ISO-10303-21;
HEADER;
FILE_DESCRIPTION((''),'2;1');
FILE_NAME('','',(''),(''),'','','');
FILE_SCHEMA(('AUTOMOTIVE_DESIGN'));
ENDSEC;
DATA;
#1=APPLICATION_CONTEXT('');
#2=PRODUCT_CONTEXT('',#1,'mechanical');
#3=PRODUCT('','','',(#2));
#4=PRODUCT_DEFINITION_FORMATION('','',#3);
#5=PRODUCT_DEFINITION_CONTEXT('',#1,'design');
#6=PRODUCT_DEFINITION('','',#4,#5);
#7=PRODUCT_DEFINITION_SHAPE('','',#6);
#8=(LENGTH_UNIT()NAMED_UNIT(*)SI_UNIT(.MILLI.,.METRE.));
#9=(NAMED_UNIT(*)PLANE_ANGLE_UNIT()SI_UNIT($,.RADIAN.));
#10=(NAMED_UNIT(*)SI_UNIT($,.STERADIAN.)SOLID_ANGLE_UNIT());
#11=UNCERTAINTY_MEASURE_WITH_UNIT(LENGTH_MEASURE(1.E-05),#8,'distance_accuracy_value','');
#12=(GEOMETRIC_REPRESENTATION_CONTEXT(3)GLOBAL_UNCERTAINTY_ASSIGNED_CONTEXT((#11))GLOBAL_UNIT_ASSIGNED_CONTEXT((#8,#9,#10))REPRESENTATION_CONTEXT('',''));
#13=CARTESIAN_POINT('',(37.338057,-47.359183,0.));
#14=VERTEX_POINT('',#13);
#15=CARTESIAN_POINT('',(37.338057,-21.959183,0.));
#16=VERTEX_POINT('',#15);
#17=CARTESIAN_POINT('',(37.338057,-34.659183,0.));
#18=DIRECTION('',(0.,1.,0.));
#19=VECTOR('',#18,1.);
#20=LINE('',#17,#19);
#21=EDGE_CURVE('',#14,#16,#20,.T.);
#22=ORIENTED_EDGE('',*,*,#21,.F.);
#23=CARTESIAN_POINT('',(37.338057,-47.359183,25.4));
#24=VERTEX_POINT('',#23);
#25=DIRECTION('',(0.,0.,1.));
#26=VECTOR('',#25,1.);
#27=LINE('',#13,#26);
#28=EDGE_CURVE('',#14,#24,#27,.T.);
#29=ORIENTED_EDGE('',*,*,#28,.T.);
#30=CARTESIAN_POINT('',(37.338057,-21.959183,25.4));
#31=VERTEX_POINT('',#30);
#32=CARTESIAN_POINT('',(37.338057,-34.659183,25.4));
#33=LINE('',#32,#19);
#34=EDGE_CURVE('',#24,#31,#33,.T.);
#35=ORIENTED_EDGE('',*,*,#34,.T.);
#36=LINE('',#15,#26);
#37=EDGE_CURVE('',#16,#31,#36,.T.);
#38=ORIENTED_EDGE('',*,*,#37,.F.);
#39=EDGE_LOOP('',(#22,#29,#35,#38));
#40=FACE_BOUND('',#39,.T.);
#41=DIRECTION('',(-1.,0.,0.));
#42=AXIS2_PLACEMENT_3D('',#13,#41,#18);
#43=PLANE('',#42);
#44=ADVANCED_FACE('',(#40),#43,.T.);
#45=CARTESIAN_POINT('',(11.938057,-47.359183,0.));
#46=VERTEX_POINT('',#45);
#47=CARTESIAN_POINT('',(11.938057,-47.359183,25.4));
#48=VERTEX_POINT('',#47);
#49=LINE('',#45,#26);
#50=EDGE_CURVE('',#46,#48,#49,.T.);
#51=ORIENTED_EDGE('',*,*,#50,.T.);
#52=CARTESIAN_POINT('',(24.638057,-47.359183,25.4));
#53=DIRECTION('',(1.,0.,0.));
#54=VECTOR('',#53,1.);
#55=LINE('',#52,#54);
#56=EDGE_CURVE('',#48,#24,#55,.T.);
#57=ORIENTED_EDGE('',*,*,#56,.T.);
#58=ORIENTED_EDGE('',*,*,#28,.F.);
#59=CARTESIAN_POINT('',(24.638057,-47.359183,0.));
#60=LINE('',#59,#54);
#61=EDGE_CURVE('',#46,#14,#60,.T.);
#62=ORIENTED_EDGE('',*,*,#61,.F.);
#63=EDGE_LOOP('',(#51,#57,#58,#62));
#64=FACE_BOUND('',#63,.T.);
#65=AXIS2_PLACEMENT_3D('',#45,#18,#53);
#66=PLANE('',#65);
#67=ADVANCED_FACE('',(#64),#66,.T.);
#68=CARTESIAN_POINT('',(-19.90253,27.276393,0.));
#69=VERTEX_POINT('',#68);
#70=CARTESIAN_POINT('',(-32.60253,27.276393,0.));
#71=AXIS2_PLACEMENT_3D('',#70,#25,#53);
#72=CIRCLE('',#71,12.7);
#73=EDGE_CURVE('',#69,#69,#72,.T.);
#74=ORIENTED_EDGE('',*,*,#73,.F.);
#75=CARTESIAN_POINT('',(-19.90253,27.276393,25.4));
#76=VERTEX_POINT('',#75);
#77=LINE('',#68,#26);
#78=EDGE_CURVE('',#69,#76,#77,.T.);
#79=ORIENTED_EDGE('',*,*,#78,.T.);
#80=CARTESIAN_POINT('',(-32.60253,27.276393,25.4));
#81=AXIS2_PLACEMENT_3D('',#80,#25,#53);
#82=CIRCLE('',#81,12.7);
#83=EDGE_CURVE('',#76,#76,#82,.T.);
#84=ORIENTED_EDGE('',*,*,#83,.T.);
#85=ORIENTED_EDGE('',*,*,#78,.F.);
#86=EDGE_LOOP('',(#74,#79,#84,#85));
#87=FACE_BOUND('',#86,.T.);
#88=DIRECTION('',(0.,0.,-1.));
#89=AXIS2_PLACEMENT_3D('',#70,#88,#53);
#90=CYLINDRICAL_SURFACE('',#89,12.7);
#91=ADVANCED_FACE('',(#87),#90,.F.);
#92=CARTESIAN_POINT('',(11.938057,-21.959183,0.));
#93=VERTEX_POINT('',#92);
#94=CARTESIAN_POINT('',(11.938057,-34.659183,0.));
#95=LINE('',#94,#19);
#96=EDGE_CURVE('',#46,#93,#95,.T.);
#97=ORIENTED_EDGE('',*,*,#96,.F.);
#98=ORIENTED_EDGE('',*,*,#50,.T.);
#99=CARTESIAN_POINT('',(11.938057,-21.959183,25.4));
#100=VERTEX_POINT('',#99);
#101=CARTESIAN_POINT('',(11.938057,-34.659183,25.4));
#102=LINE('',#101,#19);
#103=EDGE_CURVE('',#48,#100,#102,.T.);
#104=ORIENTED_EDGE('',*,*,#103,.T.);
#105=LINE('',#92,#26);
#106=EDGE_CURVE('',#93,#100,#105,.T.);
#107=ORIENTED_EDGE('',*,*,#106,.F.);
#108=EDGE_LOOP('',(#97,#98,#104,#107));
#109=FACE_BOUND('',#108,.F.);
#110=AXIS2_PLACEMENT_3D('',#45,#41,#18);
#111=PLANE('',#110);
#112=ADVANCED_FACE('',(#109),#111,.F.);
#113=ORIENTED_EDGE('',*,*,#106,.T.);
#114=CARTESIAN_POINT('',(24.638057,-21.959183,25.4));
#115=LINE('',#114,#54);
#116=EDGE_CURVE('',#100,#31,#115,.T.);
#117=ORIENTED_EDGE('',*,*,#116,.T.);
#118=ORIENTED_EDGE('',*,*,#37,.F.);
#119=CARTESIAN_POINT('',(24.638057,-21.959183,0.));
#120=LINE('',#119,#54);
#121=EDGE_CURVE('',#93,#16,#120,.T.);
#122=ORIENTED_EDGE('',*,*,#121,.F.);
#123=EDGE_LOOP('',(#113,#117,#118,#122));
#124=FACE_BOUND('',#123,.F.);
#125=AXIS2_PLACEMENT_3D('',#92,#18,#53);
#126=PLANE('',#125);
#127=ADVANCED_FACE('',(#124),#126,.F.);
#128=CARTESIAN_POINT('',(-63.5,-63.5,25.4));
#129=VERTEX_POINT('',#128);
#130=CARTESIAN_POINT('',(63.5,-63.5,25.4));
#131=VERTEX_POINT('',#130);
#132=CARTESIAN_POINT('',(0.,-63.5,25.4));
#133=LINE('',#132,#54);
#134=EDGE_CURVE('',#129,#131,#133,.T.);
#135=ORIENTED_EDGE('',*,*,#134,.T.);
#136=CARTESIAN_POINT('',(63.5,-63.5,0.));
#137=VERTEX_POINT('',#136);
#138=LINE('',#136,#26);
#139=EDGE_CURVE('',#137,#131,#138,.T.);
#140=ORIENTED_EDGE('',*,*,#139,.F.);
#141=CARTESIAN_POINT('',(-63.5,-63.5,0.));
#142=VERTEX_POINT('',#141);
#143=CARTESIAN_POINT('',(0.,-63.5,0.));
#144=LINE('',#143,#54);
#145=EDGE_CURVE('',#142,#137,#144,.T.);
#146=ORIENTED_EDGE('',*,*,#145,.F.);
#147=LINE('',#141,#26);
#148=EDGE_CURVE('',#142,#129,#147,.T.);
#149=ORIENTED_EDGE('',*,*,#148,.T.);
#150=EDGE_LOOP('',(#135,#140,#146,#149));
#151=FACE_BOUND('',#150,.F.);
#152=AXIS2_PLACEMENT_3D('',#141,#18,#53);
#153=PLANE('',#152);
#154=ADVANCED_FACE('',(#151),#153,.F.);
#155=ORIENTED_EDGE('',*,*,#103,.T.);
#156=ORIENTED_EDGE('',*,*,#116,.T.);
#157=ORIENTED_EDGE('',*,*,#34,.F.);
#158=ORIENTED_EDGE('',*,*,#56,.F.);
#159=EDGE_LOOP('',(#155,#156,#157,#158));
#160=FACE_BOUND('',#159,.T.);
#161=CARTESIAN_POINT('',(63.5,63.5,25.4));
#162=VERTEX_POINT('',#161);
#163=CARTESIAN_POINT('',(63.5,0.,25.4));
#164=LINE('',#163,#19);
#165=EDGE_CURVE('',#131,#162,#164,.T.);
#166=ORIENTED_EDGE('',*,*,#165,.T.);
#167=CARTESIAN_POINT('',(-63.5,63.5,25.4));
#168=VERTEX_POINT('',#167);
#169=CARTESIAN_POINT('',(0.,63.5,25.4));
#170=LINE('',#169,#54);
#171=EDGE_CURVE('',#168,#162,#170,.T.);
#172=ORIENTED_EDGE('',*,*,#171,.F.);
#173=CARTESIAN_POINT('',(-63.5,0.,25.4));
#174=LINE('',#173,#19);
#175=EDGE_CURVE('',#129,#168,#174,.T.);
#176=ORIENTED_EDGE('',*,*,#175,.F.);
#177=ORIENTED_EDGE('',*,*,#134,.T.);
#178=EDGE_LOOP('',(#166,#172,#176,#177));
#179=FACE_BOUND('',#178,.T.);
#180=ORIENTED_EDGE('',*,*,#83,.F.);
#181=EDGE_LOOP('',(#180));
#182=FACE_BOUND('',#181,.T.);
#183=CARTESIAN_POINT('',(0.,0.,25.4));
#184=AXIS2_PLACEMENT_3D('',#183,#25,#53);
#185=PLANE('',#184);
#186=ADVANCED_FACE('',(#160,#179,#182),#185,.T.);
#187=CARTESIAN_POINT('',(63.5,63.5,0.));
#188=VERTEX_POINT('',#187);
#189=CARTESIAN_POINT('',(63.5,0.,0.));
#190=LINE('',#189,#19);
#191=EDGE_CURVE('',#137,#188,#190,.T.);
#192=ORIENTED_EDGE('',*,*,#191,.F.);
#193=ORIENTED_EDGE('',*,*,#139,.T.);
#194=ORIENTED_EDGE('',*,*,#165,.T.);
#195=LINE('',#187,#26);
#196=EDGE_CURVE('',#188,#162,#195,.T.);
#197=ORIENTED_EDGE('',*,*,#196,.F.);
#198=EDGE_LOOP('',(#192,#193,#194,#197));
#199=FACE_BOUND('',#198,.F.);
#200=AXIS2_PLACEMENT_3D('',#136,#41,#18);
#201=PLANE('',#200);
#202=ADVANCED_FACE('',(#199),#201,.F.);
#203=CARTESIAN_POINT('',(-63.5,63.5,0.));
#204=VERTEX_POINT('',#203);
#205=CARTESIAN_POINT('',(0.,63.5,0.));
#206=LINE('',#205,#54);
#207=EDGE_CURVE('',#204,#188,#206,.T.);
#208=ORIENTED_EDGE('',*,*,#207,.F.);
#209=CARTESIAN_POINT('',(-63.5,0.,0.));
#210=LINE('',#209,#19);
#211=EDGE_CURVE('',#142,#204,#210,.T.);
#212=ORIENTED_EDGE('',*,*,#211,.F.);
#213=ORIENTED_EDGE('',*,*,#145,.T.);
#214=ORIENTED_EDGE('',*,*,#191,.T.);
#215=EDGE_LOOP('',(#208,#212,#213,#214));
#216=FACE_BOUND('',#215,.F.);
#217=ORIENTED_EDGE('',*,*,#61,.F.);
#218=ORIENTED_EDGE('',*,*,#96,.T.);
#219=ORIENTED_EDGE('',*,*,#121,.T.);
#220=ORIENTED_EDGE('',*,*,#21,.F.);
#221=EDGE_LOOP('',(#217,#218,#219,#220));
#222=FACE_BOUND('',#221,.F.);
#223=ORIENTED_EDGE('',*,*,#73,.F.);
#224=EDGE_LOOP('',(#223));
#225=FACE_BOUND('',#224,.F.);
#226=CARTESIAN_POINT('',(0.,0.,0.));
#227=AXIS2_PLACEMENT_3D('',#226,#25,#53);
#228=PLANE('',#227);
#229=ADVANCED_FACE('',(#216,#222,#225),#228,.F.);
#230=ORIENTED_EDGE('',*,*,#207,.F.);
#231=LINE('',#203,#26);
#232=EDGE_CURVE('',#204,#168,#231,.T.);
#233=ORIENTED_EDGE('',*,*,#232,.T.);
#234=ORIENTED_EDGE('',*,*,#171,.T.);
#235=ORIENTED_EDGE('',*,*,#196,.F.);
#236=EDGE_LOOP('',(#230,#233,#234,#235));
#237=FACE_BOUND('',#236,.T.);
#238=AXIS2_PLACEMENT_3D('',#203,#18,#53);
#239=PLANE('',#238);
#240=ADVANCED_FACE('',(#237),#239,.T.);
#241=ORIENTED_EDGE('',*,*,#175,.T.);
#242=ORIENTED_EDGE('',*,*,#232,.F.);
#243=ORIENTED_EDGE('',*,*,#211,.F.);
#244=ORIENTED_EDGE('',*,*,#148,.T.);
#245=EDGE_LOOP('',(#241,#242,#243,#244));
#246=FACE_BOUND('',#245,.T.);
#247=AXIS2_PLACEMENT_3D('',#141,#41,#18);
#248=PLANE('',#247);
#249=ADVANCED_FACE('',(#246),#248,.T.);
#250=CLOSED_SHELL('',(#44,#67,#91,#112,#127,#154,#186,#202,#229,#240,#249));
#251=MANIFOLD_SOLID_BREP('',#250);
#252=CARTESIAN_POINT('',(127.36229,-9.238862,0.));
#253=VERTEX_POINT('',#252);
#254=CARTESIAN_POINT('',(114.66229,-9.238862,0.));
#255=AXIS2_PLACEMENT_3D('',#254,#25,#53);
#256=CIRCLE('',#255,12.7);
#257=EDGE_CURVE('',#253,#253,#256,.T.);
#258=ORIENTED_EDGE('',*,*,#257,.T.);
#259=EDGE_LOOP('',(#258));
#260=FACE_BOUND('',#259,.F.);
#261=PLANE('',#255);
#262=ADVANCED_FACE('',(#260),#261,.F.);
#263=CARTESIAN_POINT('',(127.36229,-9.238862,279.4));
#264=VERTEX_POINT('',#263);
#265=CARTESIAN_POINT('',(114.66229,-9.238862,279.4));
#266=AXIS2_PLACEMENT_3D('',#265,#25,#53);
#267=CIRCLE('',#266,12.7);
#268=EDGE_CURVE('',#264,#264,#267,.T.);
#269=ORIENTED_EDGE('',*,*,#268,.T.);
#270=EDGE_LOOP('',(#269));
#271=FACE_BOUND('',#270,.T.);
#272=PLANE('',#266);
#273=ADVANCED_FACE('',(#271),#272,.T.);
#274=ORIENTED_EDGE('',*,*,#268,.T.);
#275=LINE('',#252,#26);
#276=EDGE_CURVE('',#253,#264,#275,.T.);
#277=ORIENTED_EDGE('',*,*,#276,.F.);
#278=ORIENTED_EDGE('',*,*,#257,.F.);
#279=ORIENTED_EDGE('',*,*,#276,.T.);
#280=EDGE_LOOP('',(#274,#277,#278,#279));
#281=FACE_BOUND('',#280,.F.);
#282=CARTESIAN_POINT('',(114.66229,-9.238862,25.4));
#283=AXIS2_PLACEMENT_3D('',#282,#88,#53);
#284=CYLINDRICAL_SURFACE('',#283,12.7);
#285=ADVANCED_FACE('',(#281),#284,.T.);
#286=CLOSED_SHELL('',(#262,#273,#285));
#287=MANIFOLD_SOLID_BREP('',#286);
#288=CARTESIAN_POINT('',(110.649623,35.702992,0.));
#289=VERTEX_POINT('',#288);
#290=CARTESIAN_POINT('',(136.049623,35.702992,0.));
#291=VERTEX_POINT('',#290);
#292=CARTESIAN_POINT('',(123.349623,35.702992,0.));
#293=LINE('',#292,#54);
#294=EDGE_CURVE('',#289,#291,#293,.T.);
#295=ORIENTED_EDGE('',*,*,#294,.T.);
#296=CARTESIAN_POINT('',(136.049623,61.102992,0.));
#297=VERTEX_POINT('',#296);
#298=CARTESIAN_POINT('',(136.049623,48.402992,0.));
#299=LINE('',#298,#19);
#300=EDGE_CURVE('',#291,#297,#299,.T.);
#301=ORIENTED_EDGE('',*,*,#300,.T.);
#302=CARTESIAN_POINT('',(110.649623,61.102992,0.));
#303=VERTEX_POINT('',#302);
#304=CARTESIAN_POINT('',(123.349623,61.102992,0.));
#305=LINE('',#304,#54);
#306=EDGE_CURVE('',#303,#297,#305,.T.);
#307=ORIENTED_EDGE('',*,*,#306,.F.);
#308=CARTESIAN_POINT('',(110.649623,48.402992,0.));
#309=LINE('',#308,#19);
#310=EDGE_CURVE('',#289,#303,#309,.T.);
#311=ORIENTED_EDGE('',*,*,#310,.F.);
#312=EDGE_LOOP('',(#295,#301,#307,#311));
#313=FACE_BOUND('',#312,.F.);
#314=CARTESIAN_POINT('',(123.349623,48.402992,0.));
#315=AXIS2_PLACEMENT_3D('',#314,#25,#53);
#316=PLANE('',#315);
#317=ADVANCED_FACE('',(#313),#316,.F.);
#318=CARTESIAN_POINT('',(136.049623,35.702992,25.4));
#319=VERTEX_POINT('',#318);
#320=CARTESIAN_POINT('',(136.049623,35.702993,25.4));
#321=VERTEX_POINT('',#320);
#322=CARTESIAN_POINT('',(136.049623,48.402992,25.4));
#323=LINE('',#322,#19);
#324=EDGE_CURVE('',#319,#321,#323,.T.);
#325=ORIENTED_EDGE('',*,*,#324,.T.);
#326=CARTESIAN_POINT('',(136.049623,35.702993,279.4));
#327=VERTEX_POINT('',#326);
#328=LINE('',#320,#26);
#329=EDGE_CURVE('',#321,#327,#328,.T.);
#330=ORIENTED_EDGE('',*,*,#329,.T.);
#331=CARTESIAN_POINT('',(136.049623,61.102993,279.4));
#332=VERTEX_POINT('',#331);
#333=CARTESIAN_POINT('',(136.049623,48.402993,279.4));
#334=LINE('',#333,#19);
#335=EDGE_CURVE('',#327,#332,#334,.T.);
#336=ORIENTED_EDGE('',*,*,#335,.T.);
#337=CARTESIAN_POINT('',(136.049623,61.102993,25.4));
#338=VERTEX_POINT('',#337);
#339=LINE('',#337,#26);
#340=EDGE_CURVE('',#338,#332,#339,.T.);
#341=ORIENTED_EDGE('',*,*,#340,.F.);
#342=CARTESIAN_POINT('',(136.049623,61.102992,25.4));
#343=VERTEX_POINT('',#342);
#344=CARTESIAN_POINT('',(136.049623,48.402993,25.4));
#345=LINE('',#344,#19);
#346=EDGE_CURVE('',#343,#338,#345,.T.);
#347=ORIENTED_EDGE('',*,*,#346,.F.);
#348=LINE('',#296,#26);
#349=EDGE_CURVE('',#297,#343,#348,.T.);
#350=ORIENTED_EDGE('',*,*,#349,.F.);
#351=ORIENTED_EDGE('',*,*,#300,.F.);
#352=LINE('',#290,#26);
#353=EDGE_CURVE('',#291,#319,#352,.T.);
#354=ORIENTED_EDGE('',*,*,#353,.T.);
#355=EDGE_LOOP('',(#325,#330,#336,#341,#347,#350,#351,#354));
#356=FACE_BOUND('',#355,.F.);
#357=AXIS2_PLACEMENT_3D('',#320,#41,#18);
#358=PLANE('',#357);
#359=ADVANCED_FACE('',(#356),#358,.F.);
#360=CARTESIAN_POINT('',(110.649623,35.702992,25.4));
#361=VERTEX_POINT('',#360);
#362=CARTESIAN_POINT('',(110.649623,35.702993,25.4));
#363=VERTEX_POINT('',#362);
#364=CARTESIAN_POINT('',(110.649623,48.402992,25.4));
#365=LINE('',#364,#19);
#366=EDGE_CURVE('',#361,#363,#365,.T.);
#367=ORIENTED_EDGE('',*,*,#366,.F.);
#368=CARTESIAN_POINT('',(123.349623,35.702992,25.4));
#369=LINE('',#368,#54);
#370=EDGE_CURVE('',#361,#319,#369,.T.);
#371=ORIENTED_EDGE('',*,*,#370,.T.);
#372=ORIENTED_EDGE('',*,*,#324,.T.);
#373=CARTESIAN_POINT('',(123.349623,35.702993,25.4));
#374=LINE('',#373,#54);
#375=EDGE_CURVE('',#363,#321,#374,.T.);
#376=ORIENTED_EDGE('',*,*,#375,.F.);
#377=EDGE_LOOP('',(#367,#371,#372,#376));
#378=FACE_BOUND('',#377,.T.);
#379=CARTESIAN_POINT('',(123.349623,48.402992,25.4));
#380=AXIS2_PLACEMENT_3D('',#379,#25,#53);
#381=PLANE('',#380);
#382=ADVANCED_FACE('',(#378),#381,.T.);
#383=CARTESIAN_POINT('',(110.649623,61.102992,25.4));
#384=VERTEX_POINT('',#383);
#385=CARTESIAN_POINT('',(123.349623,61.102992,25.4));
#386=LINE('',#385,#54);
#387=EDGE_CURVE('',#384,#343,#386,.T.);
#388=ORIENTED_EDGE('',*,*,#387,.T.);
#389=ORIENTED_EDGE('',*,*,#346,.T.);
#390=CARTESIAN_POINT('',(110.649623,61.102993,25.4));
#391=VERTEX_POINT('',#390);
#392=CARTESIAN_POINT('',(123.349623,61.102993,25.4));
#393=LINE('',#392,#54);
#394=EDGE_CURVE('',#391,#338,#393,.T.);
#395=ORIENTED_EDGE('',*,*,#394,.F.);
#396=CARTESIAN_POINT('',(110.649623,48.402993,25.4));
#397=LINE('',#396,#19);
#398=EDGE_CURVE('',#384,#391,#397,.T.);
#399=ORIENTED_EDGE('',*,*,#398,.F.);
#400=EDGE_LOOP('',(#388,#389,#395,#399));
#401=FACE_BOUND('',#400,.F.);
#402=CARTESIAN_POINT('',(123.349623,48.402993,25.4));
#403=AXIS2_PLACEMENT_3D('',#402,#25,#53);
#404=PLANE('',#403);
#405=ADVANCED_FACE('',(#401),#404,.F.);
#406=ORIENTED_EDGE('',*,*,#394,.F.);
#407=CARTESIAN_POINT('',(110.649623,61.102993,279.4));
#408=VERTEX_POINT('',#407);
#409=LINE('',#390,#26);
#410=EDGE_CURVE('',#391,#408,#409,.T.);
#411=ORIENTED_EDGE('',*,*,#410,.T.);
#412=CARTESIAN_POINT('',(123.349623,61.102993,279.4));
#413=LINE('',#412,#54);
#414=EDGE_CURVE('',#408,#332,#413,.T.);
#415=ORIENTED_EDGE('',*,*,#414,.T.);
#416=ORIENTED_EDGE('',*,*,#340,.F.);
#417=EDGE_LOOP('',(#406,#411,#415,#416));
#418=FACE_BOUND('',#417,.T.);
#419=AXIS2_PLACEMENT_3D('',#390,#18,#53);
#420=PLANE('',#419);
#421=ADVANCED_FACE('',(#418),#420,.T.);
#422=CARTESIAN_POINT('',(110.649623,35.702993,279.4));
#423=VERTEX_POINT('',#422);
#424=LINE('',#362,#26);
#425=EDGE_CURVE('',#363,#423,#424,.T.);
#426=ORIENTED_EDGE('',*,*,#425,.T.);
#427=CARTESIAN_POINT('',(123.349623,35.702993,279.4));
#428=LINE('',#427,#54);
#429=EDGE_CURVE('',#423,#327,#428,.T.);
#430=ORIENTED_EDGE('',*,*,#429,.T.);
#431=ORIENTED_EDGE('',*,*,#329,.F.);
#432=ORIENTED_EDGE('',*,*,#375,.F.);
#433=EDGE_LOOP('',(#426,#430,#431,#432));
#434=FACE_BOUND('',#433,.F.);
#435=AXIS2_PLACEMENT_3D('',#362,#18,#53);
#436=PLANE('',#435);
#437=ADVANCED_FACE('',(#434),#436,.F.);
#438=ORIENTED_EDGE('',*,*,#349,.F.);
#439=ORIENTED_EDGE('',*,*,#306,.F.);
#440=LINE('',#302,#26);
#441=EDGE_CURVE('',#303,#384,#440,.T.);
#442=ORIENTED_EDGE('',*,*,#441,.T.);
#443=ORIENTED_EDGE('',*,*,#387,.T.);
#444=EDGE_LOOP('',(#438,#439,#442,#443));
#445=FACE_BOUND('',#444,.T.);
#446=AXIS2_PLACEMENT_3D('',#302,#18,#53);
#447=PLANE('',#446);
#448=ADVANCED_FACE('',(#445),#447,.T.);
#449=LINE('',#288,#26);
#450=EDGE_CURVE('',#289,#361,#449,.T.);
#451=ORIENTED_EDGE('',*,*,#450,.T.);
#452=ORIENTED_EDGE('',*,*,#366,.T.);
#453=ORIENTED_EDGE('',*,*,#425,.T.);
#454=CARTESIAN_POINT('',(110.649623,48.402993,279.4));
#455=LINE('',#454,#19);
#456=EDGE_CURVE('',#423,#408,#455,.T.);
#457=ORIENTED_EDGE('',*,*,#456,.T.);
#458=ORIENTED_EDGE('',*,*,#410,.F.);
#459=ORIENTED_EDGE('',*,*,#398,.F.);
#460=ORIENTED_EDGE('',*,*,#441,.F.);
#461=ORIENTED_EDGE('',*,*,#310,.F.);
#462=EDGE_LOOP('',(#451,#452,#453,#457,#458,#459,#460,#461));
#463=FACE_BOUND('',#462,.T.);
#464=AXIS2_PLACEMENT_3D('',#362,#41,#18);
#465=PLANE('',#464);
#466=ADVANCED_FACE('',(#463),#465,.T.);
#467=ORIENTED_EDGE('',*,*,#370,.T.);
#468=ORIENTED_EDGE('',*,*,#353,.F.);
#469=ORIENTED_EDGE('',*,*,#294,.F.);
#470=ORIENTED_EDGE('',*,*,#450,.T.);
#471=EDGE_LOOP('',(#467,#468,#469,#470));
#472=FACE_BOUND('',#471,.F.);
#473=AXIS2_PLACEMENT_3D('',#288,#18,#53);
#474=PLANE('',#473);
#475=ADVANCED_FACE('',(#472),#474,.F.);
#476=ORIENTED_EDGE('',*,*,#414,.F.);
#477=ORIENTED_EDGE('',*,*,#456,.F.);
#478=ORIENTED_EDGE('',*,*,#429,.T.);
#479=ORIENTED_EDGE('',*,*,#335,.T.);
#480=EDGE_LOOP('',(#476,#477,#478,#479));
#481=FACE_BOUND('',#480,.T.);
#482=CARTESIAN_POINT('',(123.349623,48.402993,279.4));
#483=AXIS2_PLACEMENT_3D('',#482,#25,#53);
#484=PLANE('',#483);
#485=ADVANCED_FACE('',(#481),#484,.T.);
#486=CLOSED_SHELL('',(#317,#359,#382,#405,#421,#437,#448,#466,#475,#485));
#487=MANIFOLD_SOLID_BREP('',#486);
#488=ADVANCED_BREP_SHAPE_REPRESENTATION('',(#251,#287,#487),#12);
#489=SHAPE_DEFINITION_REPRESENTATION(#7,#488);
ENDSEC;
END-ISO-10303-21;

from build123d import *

# Parameters (mm, degrees)
F0_W      = 127
F0_H      = 127
F0_W_2    = 25.4
F0_H_2    = 25.4
F0_R      = 12.7
F1_DEPTH  = 25.4
F1_FACE_R = 12.7
F1_FACE_W = 25.4
F1_FACE_H = 25.4
F2_DEPTH  = 254


with BuildPart() as f1:
    # F0 (on Top) → F1 (new body)
    with BuildSketch(Plane.XY):
        Rectangle(F0_W, F0_H)
        with Locations((24.638057, -34.659183)):
            Rectangle(F0_W_2, F0_H_2, mode=Mode.SUBTRACT)
        with Locations((-32.60253, 27.276393)):
            Circle(F0_R, mode=Mode.SUBTRACT)
        with Locations((123.349623, 48.402992)):
            Rectangle(F0_W_2, F0_H_2)
        with Locations((114.66229, -9.238862)):
            Circle(F0_R)
    extrude(amount=F1_DEPTH)

    # F1_face (on face) → F2 (join)
    with BuildSketch(Plane(origin=(114.66229, -9.238862, 25.4), x_dir=(1, 0, 0), z_dir=(0, 0, 1))):
        Circle(F1_FACE_R)
        with Locations((8.687333, 57.641855)):
            Rectangle(F1_FACE_W, F1_FACE_H)
    extrude(amount=F2_DEPTH)


solid = f1.part
